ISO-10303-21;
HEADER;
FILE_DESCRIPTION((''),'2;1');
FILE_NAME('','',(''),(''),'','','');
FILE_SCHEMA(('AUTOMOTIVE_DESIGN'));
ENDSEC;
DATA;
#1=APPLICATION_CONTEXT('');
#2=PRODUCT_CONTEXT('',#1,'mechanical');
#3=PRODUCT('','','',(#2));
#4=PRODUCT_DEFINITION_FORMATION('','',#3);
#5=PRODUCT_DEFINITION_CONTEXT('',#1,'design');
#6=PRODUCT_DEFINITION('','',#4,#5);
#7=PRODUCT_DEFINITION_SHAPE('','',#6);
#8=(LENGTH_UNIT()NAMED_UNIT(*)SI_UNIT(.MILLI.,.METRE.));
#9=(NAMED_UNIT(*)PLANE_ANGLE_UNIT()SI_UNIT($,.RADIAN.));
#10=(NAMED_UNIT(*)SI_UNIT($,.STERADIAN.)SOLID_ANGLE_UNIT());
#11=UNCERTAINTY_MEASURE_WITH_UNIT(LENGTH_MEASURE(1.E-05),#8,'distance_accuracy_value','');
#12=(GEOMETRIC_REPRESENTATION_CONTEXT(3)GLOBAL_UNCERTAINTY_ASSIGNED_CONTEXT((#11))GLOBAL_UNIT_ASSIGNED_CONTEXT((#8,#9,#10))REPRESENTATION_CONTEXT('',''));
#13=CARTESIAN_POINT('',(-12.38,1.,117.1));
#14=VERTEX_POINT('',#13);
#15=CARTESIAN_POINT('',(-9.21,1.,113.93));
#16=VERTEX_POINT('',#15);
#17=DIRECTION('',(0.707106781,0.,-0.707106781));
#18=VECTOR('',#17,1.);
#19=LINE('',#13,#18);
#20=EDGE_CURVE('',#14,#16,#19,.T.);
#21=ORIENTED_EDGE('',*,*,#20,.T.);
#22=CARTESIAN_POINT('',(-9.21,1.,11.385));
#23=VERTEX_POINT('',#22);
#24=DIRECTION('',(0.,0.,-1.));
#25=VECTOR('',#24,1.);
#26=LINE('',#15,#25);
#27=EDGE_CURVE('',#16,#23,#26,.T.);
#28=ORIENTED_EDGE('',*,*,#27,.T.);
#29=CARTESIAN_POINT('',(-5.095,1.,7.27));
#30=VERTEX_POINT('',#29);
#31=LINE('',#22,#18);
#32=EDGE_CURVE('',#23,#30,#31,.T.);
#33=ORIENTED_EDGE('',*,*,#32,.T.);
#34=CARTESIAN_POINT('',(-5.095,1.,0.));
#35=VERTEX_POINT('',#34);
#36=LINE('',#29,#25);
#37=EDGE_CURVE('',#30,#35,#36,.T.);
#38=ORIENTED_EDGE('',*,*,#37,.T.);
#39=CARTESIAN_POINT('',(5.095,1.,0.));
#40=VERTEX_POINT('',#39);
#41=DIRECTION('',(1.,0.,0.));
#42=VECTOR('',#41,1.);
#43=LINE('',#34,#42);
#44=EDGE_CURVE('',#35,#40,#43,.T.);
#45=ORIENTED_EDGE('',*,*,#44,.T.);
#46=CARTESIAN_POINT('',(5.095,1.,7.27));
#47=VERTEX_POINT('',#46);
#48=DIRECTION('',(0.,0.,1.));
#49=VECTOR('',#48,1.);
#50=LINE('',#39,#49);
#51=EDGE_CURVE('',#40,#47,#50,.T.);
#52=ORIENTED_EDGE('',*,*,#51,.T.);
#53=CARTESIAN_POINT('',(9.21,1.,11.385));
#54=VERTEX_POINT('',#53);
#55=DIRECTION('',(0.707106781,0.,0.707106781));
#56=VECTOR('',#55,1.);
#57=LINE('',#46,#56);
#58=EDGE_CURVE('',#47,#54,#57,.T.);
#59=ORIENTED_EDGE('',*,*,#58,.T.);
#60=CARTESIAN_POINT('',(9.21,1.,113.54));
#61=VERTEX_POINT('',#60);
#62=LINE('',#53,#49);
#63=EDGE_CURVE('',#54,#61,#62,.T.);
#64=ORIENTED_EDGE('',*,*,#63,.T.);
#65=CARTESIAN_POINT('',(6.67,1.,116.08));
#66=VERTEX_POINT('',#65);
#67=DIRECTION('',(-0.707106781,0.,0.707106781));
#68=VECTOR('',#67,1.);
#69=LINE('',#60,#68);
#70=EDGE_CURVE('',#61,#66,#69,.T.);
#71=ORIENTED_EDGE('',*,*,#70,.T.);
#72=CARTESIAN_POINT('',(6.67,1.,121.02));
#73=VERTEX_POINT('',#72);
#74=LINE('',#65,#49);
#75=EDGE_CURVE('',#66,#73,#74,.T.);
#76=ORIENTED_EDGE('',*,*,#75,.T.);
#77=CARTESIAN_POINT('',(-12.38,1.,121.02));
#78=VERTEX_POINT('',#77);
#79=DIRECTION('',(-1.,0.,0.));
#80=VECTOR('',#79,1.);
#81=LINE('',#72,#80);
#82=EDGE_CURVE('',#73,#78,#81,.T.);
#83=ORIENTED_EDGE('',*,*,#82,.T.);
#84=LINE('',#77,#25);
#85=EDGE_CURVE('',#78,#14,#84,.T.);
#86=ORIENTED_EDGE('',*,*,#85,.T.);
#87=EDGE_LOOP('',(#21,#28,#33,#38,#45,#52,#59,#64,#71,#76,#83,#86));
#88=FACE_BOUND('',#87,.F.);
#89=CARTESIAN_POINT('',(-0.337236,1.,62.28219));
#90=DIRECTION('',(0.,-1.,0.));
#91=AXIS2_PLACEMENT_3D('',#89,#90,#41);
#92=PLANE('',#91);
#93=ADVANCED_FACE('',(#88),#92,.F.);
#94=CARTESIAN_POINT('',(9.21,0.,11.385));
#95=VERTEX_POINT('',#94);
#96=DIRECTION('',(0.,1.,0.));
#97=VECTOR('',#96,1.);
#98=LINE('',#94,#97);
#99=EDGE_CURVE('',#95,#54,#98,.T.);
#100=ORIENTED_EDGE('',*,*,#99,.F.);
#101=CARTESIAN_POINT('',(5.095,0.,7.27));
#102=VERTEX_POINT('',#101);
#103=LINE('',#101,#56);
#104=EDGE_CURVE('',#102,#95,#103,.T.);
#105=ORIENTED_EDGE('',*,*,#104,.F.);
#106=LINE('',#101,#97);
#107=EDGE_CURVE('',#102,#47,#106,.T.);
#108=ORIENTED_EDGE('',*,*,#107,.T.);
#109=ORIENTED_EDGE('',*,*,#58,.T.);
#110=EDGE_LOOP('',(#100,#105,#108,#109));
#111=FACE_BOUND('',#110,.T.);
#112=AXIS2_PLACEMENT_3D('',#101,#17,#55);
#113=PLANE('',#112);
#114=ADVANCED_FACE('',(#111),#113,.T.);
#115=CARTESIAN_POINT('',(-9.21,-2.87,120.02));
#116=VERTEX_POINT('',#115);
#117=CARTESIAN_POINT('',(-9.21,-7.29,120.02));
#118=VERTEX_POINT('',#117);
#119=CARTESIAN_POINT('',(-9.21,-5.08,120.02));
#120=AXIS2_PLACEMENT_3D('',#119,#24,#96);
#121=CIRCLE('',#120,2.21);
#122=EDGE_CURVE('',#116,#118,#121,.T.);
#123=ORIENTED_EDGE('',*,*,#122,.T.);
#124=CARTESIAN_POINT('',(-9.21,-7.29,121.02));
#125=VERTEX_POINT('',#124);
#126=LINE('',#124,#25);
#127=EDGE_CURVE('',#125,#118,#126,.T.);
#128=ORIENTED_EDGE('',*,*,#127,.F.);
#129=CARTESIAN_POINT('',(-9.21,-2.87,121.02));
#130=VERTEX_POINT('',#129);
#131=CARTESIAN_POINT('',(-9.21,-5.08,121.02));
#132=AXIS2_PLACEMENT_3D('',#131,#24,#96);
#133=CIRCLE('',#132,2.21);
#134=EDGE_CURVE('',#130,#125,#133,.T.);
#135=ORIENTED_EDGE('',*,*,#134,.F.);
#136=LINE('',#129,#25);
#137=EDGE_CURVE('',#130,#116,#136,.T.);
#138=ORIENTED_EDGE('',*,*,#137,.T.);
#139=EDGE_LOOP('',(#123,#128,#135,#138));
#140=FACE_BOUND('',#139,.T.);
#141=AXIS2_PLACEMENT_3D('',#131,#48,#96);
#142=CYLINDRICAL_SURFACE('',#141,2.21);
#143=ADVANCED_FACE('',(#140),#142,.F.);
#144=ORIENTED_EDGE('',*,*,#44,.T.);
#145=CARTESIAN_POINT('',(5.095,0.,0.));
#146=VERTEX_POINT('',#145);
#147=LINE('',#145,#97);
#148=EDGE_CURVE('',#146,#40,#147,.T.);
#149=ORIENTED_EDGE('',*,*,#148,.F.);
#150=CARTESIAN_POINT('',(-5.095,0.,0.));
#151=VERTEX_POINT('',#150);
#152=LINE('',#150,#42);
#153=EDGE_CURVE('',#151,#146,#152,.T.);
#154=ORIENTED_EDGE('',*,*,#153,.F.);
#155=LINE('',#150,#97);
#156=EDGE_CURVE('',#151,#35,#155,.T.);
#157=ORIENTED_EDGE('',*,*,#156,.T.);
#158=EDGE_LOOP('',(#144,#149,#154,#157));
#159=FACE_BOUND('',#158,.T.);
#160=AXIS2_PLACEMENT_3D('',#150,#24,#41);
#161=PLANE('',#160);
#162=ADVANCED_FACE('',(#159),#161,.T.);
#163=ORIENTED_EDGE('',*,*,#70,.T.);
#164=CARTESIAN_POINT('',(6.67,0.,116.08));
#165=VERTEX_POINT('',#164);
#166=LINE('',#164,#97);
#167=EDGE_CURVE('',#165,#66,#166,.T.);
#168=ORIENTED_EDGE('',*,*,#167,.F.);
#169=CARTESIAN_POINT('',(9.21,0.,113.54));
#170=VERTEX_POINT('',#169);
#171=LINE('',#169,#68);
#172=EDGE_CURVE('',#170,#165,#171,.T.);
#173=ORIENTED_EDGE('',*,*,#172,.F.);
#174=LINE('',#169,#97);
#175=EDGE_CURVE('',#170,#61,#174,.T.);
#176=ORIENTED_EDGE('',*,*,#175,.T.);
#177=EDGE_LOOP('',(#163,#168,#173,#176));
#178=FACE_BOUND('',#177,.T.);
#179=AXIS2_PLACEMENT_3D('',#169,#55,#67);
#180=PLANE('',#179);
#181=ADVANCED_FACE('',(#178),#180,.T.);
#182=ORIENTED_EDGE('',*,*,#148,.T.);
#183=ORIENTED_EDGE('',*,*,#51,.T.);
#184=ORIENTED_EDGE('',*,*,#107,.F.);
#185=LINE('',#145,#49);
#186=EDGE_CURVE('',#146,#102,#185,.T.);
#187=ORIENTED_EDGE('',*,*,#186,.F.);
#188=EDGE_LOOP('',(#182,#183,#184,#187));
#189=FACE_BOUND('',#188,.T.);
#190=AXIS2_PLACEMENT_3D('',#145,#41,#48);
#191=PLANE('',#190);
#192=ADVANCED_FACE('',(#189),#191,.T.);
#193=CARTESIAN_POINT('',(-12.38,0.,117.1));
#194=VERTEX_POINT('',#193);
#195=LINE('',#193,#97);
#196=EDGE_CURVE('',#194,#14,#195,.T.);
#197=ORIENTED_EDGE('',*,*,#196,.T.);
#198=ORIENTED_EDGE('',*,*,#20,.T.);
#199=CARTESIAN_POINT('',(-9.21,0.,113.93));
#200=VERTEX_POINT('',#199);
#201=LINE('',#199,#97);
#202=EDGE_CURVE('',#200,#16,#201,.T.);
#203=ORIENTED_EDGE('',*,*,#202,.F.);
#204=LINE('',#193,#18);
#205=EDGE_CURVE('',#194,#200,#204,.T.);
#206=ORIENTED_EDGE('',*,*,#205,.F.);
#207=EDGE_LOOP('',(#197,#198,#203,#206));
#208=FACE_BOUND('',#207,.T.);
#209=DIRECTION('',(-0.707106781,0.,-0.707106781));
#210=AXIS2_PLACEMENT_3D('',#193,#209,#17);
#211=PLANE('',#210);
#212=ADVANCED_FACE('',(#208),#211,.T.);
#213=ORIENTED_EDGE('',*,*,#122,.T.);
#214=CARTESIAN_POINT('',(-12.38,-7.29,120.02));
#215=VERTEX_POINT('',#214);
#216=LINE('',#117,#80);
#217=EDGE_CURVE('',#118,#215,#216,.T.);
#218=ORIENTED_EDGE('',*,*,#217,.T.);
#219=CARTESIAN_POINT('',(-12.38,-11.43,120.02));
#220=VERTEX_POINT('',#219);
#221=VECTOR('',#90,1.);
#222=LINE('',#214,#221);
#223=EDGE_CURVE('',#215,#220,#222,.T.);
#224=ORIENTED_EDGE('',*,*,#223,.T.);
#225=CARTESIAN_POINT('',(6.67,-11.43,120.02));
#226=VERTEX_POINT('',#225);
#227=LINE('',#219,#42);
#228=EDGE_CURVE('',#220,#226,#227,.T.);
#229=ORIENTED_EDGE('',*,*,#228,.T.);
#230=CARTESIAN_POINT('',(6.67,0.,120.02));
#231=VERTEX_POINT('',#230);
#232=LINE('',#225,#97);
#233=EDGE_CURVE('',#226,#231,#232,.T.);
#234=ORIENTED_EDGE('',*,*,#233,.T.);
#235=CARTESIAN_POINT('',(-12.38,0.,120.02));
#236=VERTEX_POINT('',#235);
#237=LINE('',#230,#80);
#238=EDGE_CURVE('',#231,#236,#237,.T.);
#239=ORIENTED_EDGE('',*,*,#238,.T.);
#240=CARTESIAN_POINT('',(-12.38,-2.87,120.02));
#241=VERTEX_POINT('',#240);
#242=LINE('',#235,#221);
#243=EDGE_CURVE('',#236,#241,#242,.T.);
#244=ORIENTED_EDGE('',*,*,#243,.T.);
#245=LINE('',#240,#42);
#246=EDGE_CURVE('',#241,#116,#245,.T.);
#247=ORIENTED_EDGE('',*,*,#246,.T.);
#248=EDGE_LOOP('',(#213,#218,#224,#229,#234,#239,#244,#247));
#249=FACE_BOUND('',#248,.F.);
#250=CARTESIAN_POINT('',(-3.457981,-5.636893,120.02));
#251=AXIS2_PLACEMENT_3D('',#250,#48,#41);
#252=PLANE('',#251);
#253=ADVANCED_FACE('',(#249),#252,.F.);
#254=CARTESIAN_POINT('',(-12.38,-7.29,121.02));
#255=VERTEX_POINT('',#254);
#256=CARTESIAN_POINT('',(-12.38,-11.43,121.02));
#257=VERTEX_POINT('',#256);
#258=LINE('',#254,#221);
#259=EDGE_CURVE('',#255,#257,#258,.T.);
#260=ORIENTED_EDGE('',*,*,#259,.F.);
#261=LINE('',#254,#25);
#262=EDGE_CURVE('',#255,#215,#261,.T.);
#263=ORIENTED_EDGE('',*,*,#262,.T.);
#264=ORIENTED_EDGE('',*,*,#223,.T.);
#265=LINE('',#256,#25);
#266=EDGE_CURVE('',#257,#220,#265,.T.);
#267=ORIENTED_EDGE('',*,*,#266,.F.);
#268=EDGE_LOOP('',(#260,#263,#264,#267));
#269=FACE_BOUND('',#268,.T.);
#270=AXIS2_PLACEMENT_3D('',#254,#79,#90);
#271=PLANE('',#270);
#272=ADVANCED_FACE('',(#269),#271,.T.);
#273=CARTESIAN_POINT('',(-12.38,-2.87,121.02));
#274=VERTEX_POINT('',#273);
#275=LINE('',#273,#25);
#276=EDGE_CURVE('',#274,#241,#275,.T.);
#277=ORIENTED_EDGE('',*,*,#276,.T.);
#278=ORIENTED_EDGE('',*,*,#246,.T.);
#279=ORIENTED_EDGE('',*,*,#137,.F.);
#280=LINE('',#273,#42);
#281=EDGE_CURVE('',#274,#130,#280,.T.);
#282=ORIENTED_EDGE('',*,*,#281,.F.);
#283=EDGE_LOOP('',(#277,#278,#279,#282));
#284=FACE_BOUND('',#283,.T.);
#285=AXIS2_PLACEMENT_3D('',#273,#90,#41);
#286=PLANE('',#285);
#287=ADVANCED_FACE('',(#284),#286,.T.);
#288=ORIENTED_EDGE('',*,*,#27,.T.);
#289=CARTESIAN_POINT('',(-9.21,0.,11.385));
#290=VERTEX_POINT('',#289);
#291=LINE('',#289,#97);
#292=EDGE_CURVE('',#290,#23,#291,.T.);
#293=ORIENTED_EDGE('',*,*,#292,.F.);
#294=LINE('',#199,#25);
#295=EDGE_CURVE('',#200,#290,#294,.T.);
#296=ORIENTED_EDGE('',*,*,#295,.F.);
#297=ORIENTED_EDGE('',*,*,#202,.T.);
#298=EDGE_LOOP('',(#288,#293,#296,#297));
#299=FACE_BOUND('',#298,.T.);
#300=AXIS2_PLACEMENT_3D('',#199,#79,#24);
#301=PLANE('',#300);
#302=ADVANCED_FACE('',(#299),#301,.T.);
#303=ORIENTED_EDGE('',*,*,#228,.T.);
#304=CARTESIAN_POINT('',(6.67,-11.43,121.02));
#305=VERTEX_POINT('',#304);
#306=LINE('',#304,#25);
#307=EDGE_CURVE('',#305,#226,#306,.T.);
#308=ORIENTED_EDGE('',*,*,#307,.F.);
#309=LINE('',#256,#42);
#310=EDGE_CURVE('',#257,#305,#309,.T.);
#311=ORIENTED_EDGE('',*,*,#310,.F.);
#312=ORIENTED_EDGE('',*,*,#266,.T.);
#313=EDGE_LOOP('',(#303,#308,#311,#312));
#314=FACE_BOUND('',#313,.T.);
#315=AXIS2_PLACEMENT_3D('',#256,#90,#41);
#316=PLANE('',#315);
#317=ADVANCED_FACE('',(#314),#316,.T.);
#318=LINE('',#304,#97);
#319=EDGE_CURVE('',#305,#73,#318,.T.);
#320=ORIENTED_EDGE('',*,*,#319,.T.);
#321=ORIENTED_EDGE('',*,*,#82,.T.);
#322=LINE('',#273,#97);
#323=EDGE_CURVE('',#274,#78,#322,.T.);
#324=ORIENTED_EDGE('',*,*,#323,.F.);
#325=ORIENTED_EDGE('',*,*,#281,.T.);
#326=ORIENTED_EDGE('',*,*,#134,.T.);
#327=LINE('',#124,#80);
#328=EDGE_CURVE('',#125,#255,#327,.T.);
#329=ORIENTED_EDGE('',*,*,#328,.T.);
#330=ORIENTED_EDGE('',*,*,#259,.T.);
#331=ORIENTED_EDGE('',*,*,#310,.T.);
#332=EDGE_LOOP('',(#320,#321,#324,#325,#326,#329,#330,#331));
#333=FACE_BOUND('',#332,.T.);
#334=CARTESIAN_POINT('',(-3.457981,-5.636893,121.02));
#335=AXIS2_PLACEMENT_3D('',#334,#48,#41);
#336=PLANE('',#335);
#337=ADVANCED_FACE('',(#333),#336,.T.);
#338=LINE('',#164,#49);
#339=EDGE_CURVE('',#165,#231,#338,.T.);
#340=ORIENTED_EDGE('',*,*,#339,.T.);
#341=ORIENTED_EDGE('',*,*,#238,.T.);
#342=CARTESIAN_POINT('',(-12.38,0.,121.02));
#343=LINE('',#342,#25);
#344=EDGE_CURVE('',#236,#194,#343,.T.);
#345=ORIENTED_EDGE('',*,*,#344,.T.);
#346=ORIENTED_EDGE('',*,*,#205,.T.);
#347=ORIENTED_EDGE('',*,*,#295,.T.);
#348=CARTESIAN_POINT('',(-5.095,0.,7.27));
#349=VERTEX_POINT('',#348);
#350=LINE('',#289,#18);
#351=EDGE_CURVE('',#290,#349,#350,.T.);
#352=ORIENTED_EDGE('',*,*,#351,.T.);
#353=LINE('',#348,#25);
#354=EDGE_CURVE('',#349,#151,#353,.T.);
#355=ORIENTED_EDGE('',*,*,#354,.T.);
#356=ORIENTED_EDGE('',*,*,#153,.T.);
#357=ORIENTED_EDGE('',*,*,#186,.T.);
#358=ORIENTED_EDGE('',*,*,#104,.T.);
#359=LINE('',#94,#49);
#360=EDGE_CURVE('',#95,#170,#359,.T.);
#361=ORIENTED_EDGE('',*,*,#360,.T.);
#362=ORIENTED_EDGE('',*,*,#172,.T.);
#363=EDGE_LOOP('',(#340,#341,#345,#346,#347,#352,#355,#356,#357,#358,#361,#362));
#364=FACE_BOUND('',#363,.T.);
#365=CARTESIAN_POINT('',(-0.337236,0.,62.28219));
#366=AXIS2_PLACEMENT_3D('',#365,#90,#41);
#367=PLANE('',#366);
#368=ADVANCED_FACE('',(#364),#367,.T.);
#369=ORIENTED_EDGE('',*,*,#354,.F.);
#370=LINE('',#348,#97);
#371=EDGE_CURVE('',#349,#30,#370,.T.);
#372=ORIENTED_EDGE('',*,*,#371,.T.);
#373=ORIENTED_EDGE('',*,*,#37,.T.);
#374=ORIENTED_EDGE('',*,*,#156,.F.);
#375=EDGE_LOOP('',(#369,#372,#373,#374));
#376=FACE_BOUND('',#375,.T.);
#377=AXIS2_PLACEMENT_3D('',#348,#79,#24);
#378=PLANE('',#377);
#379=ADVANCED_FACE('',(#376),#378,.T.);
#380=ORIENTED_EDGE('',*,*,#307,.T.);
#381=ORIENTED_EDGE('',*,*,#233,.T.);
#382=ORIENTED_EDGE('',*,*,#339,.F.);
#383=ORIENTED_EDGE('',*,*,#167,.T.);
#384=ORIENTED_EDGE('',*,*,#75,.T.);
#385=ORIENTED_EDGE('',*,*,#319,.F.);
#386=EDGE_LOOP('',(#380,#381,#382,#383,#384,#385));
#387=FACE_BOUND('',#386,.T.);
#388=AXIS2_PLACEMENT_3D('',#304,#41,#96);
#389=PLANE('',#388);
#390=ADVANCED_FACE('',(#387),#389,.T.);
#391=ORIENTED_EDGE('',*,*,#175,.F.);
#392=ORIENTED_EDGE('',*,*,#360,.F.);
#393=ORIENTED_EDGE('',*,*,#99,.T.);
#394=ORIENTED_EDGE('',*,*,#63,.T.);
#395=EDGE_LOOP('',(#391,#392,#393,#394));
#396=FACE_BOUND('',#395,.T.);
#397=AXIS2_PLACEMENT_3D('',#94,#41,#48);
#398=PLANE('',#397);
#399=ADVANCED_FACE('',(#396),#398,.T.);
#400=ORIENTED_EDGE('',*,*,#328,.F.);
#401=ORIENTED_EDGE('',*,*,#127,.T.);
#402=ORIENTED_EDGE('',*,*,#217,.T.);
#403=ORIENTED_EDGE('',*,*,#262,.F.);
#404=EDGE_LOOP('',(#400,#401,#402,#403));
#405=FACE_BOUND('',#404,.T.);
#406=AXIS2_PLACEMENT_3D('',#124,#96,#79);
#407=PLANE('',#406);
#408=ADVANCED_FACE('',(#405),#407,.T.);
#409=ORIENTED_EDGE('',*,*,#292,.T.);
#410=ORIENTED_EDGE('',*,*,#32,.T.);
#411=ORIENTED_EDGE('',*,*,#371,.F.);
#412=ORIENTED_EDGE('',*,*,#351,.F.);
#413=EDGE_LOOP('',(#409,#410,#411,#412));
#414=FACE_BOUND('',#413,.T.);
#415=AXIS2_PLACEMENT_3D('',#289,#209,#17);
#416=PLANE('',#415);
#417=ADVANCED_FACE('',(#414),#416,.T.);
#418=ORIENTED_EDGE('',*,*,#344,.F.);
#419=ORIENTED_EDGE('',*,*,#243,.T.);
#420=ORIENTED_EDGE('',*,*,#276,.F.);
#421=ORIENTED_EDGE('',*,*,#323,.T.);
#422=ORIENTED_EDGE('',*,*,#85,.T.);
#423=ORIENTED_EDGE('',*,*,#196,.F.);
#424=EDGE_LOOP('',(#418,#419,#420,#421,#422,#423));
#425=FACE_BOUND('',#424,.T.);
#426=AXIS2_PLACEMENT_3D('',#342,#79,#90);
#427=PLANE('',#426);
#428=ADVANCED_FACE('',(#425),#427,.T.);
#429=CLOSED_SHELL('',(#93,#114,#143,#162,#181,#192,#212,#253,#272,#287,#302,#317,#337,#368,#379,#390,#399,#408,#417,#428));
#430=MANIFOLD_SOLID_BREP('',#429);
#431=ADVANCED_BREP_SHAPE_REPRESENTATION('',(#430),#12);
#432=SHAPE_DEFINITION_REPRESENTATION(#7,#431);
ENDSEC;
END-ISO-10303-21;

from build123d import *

# Parameters (mm, degrees)
F2_DEPTH = 1
F4_DEPTH = 1


with BuildPart() as f2:
    # F1 (on Front) → F2 (new body)
    with BuildSketch(Plane.XZ):
        Polygon((-5.095, 7.27), (-5.095, 0), (5.095, 0), (5.095, 7.27), (9.21, 11.385), (9.21, 113.54), (6.67, 116.08), (6.67, 120.02), (6.67, 121.02), (-12.38, 121.02), (-12.38, 120.02), (-12.38, 117.1), (-9.21, 113.93), (-9.21, 11.385), align=None)
    extrude(amount=-F2_DEPTH)

    # F3 (on face) → F4 (join)
    with BuildSketch(Plane.XY.offset(121.02)):
        with BuildLine():
            Line((6.67, 0), (-12.38, 0))
            Line((-12.38, 0), (-12.38, -2.87))
            Line((-12.38, -2.87), (-9.21, -2.87))
            ThreePointArc((-9.21, -2.87), (-7, -5.08), (-9.21, -7.29))
            Line((-9.21, -7.29), (-12.38, -7.29))
            Line((-12.38, -7.29), (-12.38, -11.43))
            Line((-12.38, -11.43), (6.67, -11.43))
            Line((6.67, -11.43), (6.67, 0))
        make_face()
    extrude(amount=-F4_DEPTH)


solid = f2.part
